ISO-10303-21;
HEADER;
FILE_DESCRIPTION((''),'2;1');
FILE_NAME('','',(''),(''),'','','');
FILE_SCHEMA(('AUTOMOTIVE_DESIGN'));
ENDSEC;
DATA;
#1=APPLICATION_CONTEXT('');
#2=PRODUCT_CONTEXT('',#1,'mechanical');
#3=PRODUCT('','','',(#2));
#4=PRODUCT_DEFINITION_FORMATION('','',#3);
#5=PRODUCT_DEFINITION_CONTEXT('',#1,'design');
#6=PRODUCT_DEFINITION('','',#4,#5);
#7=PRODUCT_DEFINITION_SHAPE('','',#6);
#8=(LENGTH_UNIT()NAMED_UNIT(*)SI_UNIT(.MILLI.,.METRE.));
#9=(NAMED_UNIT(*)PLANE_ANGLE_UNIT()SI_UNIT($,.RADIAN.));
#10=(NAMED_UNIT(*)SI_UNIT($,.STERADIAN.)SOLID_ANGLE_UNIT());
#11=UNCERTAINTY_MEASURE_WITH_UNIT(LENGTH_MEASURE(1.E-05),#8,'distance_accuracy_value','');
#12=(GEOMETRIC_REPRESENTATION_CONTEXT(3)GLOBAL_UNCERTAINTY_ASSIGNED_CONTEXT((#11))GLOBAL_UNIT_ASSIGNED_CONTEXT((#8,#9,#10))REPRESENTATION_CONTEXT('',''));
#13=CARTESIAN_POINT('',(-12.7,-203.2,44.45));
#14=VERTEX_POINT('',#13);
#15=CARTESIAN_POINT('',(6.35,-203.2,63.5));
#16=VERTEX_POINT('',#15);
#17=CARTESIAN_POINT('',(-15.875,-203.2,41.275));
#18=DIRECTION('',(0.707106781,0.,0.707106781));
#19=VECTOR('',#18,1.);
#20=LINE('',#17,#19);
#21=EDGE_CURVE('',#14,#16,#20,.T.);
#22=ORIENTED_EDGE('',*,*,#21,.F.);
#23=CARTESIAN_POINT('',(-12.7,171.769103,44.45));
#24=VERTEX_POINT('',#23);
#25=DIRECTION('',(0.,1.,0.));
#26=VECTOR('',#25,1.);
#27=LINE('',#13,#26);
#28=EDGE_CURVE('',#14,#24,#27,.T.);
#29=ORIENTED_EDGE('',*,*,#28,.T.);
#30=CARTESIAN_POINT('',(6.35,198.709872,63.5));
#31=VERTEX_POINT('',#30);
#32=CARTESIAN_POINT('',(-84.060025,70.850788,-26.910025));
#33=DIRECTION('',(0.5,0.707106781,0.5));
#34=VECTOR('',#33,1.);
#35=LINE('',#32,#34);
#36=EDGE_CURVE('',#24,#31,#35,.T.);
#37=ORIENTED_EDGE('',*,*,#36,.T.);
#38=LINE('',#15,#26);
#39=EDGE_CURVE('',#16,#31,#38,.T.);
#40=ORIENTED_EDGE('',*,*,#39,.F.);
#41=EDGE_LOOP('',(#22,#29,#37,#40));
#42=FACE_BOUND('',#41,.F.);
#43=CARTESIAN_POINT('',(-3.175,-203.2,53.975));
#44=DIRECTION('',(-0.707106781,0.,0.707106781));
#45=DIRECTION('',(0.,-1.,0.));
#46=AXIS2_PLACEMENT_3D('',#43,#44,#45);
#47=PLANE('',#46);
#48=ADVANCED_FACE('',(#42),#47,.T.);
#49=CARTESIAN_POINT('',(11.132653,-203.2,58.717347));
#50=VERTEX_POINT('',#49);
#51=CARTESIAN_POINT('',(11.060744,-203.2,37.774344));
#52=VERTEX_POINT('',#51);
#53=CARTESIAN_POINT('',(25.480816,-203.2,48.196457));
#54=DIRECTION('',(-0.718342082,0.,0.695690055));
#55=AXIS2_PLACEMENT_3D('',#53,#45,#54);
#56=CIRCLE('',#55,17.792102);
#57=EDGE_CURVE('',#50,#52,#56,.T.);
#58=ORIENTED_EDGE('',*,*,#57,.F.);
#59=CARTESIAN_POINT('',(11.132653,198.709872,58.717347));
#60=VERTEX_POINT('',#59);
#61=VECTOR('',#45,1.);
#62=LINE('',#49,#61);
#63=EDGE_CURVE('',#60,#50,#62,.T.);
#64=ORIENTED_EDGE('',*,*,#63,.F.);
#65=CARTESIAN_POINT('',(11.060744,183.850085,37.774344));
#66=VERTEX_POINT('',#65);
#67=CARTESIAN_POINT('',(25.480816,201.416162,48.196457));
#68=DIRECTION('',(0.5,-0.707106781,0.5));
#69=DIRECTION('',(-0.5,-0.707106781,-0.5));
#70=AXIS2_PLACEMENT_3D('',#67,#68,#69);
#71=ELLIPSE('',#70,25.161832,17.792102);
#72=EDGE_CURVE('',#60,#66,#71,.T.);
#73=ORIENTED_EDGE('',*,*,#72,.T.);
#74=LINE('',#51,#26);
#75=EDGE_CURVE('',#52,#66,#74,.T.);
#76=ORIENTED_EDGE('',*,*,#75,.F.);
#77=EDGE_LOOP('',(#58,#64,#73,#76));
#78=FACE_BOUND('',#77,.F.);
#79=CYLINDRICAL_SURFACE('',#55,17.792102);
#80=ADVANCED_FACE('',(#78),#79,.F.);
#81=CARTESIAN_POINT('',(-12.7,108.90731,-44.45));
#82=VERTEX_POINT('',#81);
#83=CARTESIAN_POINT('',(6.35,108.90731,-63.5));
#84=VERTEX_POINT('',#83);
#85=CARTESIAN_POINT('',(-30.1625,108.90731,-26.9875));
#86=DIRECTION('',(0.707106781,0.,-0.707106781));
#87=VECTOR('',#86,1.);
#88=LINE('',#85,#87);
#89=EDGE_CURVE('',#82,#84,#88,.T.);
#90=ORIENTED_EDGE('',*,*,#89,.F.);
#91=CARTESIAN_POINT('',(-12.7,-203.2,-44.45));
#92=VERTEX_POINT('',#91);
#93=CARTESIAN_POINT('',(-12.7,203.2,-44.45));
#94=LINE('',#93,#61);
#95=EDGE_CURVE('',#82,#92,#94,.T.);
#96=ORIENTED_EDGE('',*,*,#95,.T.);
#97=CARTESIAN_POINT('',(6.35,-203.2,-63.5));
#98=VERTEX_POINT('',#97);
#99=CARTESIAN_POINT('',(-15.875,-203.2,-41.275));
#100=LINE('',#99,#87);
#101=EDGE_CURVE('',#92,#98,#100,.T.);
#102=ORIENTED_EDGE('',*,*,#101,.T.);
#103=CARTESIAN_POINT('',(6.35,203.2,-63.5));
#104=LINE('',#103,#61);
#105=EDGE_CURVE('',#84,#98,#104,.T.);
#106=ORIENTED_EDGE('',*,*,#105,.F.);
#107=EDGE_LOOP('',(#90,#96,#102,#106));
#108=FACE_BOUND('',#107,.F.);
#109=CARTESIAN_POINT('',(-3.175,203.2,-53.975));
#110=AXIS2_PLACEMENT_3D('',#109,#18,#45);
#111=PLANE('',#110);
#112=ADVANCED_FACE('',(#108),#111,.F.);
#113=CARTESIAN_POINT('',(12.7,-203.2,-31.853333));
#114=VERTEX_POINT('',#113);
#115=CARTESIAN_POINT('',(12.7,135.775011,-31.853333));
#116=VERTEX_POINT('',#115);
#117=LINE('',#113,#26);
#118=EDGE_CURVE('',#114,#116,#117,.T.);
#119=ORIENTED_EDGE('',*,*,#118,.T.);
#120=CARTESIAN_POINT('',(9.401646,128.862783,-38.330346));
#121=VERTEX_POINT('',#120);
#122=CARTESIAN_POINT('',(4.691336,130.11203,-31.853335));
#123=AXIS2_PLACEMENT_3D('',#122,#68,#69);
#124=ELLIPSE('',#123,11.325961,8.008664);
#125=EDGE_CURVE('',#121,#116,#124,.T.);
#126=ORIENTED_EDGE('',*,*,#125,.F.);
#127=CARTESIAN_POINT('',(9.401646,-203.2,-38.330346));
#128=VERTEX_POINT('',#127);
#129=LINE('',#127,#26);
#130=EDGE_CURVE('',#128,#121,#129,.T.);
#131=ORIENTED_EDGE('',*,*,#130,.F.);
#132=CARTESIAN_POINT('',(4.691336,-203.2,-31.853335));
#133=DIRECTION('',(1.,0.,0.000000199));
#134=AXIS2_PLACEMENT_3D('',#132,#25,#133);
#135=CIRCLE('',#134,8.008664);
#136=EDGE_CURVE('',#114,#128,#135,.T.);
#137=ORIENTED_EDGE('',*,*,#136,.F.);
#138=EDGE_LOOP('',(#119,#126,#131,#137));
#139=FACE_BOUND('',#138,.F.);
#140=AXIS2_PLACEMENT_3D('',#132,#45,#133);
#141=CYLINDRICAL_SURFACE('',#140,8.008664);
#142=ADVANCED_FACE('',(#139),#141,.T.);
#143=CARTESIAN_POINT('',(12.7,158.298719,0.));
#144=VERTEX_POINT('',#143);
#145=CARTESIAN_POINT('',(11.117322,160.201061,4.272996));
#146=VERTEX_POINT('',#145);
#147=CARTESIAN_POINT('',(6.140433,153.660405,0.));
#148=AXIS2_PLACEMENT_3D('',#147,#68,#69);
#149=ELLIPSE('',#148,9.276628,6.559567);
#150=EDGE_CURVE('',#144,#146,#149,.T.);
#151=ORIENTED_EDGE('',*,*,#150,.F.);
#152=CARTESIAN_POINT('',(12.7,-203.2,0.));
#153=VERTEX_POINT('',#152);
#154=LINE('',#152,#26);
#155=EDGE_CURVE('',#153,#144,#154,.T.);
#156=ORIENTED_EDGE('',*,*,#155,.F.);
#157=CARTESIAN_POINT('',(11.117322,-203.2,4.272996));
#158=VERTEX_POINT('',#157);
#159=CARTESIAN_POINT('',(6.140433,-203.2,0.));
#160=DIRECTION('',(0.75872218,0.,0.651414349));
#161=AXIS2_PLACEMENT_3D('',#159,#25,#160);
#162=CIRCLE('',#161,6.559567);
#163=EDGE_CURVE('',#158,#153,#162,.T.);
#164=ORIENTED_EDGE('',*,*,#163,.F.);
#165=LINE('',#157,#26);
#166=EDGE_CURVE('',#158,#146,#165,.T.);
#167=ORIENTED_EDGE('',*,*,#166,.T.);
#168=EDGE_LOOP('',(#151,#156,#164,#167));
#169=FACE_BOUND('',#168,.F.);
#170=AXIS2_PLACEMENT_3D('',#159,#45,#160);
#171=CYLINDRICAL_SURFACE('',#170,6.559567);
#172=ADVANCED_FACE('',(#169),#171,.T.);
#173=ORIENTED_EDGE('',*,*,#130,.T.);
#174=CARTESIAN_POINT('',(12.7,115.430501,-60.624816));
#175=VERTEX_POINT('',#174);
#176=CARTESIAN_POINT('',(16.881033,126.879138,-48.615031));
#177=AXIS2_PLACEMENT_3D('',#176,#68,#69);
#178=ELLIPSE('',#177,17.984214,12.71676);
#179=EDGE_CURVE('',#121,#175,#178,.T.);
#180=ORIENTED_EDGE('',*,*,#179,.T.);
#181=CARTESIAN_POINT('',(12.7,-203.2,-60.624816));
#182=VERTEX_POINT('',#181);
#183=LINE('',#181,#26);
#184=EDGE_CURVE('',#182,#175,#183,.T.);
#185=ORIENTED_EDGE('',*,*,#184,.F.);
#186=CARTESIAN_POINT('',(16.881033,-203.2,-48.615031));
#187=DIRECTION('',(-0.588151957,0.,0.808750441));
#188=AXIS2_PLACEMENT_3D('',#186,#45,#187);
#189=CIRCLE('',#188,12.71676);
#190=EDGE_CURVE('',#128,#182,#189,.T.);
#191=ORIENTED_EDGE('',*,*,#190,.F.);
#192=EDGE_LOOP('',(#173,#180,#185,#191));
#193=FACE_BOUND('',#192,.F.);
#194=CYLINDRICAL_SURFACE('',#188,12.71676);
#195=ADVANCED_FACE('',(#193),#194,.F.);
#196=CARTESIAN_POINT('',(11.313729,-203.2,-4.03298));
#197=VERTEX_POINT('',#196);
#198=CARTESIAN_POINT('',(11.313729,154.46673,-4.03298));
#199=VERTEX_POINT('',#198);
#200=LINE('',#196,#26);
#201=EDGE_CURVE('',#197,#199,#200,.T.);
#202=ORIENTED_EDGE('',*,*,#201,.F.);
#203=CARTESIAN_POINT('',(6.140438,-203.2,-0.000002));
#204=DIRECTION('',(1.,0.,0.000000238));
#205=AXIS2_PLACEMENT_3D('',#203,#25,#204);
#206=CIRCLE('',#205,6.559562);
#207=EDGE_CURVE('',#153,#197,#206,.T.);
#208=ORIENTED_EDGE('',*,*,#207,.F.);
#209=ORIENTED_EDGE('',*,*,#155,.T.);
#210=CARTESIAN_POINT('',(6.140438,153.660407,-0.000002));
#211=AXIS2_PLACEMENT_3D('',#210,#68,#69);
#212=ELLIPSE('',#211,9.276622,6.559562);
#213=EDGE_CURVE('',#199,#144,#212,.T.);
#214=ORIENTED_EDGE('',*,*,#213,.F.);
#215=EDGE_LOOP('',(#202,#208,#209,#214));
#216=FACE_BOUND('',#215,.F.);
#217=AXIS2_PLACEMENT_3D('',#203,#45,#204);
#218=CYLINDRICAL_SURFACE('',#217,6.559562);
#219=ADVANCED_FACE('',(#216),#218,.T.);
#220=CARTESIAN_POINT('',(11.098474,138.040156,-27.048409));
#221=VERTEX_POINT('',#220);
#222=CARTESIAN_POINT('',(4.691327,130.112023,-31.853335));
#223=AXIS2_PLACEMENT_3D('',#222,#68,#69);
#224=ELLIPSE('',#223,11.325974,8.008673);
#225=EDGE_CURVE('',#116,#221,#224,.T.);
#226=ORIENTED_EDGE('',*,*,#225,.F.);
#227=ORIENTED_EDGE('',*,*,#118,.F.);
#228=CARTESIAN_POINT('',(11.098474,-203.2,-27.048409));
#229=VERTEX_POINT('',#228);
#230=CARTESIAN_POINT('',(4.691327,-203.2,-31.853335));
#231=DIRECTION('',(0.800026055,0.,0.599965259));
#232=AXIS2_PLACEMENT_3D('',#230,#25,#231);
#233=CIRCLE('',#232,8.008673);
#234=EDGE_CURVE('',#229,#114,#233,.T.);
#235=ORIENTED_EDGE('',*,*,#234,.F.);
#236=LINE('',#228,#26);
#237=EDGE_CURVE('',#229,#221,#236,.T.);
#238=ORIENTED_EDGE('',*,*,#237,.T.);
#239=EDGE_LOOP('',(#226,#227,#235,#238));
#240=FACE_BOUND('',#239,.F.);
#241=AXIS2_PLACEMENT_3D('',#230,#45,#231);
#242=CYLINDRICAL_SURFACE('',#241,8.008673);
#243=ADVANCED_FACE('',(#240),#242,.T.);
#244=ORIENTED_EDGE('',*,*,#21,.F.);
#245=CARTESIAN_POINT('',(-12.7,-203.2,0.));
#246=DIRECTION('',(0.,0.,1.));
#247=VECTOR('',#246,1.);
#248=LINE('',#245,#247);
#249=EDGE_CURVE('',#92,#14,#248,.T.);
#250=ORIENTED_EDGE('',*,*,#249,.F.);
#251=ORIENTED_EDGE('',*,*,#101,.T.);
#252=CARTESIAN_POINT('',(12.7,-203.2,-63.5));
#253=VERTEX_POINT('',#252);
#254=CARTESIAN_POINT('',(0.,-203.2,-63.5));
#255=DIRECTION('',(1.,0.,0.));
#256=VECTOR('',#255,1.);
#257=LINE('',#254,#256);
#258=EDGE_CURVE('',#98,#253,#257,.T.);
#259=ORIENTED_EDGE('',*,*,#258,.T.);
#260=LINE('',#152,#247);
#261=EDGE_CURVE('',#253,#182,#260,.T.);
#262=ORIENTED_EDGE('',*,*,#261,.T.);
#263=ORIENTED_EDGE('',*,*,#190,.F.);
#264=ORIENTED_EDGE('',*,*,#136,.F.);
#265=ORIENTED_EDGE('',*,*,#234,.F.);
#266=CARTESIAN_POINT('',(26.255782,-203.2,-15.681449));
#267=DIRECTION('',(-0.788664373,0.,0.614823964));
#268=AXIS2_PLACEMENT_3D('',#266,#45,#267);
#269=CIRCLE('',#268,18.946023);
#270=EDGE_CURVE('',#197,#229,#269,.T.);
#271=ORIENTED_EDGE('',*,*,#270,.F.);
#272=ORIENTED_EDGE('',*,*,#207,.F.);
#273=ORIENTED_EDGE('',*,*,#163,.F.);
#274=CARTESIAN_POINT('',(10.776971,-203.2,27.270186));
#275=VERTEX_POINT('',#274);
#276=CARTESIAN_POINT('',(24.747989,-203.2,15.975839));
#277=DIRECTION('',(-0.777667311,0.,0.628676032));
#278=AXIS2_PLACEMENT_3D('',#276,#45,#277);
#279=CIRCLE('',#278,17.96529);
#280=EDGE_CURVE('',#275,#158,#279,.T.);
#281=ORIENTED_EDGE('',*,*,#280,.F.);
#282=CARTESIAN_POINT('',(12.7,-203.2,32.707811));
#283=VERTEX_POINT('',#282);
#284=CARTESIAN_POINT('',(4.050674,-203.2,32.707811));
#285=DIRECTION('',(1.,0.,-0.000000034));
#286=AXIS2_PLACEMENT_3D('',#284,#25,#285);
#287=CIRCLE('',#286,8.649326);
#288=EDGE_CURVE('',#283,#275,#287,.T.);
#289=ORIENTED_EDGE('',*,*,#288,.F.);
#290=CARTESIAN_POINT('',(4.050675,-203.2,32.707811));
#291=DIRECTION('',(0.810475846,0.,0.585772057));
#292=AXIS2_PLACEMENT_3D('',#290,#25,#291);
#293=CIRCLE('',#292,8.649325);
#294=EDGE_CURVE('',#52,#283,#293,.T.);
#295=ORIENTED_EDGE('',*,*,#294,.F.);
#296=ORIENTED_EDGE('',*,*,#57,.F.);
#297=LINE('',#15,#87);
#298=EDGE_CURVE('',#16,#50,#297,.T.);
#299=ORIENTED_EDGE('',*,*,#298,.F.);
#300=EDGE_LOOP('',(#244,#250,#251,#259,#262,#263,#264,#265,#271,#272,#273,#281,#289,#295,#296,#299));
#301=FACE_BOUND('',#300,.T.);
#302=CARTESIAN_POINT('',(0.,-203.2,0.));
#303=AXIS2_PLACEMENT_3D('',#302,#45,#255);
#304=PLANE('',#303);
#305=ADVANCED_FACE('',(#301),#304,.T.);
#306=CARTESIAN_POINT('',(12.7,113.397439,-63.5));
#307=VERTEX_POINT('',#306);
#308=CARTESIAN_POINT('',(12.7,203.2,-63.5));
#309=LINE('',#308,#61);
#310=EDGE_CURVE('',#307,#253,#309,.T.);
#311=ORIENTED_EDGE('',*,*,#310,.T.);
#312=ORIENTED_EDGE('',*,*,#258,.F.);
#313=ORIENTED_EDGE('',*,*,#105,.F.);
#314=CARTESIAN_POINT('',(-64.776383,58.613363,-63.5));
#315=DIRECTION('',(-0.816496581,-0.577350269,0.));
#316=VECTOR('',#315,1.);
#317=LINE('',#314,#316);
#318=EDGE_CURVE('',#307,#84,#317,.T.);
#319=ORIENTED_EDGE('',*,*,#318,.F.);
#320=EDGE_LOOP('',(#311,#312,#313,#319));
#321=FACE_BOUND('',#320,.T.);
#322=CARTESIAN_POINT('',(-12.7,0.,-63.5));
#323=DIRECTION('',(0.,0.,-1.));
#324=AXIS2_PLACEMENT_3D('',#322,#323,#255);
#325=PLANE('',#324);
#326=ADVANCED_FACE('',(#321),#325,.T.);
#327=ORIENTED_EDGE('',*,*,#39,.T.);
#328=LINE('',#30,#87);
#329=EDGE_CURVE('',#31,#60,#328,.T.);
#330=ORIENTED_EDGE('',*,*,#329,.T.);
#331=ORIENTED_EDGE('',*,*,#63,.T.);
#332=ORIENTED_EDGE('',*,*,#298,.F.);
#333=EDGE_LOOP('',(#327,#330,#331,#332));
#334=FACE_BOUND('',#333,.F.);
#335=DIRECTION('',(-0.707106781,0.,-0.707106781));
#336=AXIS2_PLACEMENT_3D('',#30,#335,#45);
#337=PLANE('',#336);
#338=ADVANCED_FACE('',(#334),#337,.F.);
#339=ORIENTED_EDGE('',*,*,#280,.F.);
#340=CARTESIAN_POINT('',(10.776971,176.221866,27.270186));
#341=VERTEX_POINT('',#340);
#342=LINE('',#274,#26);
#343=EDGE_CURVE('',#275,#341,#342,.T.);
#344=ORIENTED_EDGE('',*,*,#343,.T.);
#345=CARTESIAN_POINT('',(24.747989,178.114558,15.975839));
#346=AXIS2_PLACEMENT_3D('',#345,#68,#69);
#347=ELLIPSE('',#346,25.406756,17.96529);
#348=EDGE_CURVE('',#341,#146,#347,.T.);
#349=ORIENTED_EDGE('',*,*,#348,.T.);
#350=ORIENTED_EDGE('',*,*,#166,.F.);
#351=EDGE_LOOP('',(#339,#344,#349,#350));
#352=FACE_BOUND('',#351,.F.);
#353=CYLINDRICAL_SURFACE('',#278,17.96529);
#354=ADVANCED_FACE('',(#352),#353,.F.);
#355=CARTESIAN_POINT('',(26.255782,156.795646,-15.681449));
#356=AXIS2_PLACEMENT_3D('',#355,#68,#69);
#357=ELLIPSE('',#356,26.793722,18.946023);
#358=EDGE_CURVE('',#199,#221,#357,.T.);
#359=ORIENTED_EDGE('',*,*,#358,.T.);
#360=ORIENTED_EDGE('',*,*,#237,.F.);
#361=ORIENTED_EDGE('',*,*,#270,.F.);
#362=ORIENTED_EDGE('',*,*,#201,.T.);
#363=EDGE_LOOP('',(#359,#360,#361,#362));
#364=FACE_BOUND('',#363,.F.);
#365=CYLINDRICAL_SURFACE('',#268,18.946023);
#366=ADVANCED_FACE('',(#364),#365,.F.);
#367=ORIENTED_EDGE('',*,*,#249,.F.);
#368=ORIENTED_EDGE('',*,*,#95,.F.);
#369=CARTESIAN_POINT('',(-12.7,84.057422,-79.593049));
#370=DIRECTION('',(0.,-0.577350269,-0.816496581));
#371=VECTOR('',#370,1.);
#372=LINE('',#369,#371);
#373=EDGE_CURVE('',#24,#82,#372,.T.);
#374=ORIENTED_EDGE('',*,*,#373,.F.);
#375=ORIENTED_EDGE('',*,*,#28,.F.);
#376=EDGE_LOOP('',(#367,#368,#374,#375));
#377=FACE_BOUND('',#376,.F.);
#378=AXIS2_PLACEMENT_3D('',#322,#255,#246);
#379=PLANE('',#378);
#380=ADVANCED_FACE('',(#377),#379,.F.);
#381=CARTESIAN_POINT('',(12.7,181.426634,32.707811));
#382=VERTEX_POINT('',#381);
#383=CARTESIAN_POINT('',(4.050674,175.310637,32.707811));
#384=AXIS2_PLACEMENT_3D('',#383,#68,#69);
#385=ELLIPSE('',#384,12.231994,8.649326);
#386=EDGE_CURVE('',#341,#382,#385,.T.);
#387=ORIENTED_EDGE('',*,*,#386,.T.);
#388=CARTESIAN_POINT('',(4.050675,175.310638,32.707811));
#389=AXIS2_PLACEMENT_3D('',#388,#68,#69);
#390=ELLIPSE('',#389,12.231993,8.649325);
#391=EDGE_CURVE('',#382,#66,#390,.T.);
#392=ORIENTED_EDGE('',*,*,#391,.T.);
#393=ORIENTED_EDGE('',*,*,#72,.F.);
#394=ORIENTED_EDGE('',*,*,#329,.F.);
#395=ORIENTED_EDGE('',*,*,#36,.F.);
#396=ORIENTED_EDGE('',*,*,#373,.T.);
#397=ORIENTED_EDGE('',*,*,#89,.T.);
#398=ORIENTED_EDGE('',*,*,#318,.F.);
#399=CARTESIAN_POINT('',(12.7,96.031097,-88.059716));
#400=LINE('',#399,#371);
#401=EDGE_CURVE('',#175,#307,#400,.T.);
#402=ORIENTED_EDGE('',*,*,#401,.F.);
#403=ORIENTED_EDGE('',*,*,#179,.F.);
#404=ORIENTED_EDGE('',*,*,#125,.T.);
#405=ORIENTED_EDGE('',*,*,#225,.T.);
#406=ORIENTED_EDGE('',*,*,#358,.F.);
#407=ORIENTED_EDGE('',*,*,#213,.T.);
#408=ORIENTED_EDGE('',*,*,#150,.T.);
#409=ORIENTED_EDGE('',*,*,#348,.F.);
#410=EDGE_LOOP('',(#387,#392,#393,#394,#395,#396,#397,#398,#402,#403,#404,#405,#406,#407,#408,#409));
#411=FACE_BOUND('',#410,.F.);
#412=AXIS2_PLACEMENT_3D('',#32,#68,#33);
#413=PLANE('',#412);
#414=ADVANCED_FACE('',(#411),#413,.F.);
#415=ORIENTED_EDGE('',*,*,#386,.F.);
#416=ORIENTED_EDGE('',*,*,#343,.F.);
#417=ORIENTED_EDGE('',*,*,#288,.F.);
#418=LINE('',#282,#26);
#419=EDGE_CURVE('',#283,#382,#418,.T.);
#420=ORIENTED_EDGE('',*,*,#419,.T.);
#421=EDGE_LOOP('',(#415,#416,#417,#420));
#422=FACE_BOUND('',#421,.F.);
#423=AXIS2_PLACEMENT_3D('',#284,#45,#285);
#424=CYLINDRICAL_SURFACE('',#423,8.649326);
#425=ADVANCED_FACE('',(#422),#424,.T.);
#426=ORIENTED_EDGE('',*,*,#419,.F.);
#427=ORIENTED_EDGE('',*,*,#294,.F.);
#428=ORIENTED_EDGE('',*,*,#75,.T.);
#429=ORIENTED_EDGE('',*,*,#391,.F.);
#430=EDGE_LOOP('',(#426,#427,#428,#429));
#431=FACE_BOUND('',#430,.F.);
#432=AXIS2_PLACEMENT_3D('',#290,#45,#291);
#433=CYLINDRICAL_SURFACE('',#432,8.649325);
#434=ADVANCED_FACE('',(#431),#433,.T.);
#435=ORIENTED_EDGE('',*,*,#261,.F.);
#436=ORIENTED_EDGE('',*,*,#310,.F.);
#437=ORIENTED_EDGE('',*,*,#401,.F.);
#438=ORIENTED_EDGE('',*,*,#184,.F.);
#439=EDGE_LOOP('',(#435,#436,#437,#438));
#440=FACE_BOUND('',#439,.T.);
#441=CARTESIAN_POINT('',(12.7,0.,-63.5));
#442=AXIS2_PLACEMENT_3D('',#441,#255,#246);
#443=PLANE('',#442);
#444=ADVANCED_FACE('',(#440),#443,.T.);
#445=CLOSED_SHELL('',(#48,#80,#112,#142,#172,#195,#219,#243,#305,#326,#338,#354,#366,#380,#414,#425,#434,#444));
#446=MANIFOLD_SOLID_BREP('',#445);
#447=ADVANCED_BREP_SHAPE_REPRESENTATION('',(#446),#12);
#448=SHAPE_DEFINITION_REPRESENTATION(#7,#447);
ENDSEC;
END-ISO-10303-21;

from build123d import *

# Parameters (mm, degrees)
F0_W     = 25.4
F0_H     = 127
F1_DEPTH = 203.2
F2_SIZE  = 19.05
F4_DEPTH = 406.401
F6_DEPTH = 94.293689


with BuildPart() as f1:
    # F0 (on Front) → F1 (new body, symmetric)
    with BuildSketch(Plane.XZ):
        Rectangle(F0_W, F0_H)
    extrude(amount=F1_DEPTH, both=True)

    # F2
    f2_edges = [f1.edges().sort_by_distance(p)[0] for p in [
        (-12.7, 0, 63.5),
        (-12.7, 0, -63.5),
    ]]
    chamfer(f2_edges, length=F2_SIZE)

    # F3 (on face) → F4 (cut, through all)
    with BuildSketch(Plane.XZ.offset(203.2)):
        with BuildLine():
            ThreePointArc((11.060744, 37.774344), (12.279988, 35.370372), (12.7, 32.707811))
            Line((12.7, 32.707811), (12.7, 60.574245))
            ThreePointArc((12.7, 60.574245), (7.734522, 49.472371), (11.060744, 37.774344))
        make_face()
        with BuildLine():
            ThreePointArc((12.7, 32.707811), (12.205083, 29.823985), (10.776971, 27.270186))
            ThreePointArc((10.776971, 27.270186), (6.784667, 15.709988), (11.117322, 4.272996))
            ThreePointArc((11.117322, 4.272996), (12.291618, 2.278342), (12.7, 0))
            Line((12.7, 0), (12.7, 32.707811))
        make_face()
        with BuildLine():
            Line((12.7, -31.853333), (12.7, 0))
            ThreePointArc((12.7, 0), (12.343759, -2.132292), (11.313729, -4.03298))
            ThreePointArc((11.313729, -4.03298), (7.310588, -15.504261), (11.098474, -27.048409))
            ThreePointArc((11.098474, -27.048409), (12.289076, -29.320934), (12.7, -31.853333))
        make_face()
        with BuildLine():
            Line((12.7, -60.624816), (12.7, -31.853333))
            ThreePointArc((12.7, -31.853333), (11.827932, -35.487574), (9.401646, -38.330346))
            ThreePointArc((9.401646, -38.330346), (4.3012, -50.476153), (12.7, -60.624816))
        make_face()
    extrude(amount=-F4_DEPTH, mode=Mode.SUBTRACT)

    # F5 (on face) → F6 (cut, through all)
    with BuildSketch(Plane(origin=(-28.575, 0, 28.575), x_dir=(0, -1, 0), z_dir=(-0.707107, 0, 0.707107))):
        Polygon((203.2, 53.881537), (-203.2, 53.881537), (-198.709872, 49.391409), (203.2, 49.391409), align=None)
        Polygon((-198.709872, 49.391409), (-203.2, 53.881537), (-203.2, 49.391409), align=None)
        Polygon((-198.709872, 49.391409), (-203.2, 49.391409), (-203.2, -78.467675), (-70.850788, -78.467675), align=None)
    extrude(amount=-F6_DEPTH, mode=Mode.SUBTRACT)


solid = f1.part
